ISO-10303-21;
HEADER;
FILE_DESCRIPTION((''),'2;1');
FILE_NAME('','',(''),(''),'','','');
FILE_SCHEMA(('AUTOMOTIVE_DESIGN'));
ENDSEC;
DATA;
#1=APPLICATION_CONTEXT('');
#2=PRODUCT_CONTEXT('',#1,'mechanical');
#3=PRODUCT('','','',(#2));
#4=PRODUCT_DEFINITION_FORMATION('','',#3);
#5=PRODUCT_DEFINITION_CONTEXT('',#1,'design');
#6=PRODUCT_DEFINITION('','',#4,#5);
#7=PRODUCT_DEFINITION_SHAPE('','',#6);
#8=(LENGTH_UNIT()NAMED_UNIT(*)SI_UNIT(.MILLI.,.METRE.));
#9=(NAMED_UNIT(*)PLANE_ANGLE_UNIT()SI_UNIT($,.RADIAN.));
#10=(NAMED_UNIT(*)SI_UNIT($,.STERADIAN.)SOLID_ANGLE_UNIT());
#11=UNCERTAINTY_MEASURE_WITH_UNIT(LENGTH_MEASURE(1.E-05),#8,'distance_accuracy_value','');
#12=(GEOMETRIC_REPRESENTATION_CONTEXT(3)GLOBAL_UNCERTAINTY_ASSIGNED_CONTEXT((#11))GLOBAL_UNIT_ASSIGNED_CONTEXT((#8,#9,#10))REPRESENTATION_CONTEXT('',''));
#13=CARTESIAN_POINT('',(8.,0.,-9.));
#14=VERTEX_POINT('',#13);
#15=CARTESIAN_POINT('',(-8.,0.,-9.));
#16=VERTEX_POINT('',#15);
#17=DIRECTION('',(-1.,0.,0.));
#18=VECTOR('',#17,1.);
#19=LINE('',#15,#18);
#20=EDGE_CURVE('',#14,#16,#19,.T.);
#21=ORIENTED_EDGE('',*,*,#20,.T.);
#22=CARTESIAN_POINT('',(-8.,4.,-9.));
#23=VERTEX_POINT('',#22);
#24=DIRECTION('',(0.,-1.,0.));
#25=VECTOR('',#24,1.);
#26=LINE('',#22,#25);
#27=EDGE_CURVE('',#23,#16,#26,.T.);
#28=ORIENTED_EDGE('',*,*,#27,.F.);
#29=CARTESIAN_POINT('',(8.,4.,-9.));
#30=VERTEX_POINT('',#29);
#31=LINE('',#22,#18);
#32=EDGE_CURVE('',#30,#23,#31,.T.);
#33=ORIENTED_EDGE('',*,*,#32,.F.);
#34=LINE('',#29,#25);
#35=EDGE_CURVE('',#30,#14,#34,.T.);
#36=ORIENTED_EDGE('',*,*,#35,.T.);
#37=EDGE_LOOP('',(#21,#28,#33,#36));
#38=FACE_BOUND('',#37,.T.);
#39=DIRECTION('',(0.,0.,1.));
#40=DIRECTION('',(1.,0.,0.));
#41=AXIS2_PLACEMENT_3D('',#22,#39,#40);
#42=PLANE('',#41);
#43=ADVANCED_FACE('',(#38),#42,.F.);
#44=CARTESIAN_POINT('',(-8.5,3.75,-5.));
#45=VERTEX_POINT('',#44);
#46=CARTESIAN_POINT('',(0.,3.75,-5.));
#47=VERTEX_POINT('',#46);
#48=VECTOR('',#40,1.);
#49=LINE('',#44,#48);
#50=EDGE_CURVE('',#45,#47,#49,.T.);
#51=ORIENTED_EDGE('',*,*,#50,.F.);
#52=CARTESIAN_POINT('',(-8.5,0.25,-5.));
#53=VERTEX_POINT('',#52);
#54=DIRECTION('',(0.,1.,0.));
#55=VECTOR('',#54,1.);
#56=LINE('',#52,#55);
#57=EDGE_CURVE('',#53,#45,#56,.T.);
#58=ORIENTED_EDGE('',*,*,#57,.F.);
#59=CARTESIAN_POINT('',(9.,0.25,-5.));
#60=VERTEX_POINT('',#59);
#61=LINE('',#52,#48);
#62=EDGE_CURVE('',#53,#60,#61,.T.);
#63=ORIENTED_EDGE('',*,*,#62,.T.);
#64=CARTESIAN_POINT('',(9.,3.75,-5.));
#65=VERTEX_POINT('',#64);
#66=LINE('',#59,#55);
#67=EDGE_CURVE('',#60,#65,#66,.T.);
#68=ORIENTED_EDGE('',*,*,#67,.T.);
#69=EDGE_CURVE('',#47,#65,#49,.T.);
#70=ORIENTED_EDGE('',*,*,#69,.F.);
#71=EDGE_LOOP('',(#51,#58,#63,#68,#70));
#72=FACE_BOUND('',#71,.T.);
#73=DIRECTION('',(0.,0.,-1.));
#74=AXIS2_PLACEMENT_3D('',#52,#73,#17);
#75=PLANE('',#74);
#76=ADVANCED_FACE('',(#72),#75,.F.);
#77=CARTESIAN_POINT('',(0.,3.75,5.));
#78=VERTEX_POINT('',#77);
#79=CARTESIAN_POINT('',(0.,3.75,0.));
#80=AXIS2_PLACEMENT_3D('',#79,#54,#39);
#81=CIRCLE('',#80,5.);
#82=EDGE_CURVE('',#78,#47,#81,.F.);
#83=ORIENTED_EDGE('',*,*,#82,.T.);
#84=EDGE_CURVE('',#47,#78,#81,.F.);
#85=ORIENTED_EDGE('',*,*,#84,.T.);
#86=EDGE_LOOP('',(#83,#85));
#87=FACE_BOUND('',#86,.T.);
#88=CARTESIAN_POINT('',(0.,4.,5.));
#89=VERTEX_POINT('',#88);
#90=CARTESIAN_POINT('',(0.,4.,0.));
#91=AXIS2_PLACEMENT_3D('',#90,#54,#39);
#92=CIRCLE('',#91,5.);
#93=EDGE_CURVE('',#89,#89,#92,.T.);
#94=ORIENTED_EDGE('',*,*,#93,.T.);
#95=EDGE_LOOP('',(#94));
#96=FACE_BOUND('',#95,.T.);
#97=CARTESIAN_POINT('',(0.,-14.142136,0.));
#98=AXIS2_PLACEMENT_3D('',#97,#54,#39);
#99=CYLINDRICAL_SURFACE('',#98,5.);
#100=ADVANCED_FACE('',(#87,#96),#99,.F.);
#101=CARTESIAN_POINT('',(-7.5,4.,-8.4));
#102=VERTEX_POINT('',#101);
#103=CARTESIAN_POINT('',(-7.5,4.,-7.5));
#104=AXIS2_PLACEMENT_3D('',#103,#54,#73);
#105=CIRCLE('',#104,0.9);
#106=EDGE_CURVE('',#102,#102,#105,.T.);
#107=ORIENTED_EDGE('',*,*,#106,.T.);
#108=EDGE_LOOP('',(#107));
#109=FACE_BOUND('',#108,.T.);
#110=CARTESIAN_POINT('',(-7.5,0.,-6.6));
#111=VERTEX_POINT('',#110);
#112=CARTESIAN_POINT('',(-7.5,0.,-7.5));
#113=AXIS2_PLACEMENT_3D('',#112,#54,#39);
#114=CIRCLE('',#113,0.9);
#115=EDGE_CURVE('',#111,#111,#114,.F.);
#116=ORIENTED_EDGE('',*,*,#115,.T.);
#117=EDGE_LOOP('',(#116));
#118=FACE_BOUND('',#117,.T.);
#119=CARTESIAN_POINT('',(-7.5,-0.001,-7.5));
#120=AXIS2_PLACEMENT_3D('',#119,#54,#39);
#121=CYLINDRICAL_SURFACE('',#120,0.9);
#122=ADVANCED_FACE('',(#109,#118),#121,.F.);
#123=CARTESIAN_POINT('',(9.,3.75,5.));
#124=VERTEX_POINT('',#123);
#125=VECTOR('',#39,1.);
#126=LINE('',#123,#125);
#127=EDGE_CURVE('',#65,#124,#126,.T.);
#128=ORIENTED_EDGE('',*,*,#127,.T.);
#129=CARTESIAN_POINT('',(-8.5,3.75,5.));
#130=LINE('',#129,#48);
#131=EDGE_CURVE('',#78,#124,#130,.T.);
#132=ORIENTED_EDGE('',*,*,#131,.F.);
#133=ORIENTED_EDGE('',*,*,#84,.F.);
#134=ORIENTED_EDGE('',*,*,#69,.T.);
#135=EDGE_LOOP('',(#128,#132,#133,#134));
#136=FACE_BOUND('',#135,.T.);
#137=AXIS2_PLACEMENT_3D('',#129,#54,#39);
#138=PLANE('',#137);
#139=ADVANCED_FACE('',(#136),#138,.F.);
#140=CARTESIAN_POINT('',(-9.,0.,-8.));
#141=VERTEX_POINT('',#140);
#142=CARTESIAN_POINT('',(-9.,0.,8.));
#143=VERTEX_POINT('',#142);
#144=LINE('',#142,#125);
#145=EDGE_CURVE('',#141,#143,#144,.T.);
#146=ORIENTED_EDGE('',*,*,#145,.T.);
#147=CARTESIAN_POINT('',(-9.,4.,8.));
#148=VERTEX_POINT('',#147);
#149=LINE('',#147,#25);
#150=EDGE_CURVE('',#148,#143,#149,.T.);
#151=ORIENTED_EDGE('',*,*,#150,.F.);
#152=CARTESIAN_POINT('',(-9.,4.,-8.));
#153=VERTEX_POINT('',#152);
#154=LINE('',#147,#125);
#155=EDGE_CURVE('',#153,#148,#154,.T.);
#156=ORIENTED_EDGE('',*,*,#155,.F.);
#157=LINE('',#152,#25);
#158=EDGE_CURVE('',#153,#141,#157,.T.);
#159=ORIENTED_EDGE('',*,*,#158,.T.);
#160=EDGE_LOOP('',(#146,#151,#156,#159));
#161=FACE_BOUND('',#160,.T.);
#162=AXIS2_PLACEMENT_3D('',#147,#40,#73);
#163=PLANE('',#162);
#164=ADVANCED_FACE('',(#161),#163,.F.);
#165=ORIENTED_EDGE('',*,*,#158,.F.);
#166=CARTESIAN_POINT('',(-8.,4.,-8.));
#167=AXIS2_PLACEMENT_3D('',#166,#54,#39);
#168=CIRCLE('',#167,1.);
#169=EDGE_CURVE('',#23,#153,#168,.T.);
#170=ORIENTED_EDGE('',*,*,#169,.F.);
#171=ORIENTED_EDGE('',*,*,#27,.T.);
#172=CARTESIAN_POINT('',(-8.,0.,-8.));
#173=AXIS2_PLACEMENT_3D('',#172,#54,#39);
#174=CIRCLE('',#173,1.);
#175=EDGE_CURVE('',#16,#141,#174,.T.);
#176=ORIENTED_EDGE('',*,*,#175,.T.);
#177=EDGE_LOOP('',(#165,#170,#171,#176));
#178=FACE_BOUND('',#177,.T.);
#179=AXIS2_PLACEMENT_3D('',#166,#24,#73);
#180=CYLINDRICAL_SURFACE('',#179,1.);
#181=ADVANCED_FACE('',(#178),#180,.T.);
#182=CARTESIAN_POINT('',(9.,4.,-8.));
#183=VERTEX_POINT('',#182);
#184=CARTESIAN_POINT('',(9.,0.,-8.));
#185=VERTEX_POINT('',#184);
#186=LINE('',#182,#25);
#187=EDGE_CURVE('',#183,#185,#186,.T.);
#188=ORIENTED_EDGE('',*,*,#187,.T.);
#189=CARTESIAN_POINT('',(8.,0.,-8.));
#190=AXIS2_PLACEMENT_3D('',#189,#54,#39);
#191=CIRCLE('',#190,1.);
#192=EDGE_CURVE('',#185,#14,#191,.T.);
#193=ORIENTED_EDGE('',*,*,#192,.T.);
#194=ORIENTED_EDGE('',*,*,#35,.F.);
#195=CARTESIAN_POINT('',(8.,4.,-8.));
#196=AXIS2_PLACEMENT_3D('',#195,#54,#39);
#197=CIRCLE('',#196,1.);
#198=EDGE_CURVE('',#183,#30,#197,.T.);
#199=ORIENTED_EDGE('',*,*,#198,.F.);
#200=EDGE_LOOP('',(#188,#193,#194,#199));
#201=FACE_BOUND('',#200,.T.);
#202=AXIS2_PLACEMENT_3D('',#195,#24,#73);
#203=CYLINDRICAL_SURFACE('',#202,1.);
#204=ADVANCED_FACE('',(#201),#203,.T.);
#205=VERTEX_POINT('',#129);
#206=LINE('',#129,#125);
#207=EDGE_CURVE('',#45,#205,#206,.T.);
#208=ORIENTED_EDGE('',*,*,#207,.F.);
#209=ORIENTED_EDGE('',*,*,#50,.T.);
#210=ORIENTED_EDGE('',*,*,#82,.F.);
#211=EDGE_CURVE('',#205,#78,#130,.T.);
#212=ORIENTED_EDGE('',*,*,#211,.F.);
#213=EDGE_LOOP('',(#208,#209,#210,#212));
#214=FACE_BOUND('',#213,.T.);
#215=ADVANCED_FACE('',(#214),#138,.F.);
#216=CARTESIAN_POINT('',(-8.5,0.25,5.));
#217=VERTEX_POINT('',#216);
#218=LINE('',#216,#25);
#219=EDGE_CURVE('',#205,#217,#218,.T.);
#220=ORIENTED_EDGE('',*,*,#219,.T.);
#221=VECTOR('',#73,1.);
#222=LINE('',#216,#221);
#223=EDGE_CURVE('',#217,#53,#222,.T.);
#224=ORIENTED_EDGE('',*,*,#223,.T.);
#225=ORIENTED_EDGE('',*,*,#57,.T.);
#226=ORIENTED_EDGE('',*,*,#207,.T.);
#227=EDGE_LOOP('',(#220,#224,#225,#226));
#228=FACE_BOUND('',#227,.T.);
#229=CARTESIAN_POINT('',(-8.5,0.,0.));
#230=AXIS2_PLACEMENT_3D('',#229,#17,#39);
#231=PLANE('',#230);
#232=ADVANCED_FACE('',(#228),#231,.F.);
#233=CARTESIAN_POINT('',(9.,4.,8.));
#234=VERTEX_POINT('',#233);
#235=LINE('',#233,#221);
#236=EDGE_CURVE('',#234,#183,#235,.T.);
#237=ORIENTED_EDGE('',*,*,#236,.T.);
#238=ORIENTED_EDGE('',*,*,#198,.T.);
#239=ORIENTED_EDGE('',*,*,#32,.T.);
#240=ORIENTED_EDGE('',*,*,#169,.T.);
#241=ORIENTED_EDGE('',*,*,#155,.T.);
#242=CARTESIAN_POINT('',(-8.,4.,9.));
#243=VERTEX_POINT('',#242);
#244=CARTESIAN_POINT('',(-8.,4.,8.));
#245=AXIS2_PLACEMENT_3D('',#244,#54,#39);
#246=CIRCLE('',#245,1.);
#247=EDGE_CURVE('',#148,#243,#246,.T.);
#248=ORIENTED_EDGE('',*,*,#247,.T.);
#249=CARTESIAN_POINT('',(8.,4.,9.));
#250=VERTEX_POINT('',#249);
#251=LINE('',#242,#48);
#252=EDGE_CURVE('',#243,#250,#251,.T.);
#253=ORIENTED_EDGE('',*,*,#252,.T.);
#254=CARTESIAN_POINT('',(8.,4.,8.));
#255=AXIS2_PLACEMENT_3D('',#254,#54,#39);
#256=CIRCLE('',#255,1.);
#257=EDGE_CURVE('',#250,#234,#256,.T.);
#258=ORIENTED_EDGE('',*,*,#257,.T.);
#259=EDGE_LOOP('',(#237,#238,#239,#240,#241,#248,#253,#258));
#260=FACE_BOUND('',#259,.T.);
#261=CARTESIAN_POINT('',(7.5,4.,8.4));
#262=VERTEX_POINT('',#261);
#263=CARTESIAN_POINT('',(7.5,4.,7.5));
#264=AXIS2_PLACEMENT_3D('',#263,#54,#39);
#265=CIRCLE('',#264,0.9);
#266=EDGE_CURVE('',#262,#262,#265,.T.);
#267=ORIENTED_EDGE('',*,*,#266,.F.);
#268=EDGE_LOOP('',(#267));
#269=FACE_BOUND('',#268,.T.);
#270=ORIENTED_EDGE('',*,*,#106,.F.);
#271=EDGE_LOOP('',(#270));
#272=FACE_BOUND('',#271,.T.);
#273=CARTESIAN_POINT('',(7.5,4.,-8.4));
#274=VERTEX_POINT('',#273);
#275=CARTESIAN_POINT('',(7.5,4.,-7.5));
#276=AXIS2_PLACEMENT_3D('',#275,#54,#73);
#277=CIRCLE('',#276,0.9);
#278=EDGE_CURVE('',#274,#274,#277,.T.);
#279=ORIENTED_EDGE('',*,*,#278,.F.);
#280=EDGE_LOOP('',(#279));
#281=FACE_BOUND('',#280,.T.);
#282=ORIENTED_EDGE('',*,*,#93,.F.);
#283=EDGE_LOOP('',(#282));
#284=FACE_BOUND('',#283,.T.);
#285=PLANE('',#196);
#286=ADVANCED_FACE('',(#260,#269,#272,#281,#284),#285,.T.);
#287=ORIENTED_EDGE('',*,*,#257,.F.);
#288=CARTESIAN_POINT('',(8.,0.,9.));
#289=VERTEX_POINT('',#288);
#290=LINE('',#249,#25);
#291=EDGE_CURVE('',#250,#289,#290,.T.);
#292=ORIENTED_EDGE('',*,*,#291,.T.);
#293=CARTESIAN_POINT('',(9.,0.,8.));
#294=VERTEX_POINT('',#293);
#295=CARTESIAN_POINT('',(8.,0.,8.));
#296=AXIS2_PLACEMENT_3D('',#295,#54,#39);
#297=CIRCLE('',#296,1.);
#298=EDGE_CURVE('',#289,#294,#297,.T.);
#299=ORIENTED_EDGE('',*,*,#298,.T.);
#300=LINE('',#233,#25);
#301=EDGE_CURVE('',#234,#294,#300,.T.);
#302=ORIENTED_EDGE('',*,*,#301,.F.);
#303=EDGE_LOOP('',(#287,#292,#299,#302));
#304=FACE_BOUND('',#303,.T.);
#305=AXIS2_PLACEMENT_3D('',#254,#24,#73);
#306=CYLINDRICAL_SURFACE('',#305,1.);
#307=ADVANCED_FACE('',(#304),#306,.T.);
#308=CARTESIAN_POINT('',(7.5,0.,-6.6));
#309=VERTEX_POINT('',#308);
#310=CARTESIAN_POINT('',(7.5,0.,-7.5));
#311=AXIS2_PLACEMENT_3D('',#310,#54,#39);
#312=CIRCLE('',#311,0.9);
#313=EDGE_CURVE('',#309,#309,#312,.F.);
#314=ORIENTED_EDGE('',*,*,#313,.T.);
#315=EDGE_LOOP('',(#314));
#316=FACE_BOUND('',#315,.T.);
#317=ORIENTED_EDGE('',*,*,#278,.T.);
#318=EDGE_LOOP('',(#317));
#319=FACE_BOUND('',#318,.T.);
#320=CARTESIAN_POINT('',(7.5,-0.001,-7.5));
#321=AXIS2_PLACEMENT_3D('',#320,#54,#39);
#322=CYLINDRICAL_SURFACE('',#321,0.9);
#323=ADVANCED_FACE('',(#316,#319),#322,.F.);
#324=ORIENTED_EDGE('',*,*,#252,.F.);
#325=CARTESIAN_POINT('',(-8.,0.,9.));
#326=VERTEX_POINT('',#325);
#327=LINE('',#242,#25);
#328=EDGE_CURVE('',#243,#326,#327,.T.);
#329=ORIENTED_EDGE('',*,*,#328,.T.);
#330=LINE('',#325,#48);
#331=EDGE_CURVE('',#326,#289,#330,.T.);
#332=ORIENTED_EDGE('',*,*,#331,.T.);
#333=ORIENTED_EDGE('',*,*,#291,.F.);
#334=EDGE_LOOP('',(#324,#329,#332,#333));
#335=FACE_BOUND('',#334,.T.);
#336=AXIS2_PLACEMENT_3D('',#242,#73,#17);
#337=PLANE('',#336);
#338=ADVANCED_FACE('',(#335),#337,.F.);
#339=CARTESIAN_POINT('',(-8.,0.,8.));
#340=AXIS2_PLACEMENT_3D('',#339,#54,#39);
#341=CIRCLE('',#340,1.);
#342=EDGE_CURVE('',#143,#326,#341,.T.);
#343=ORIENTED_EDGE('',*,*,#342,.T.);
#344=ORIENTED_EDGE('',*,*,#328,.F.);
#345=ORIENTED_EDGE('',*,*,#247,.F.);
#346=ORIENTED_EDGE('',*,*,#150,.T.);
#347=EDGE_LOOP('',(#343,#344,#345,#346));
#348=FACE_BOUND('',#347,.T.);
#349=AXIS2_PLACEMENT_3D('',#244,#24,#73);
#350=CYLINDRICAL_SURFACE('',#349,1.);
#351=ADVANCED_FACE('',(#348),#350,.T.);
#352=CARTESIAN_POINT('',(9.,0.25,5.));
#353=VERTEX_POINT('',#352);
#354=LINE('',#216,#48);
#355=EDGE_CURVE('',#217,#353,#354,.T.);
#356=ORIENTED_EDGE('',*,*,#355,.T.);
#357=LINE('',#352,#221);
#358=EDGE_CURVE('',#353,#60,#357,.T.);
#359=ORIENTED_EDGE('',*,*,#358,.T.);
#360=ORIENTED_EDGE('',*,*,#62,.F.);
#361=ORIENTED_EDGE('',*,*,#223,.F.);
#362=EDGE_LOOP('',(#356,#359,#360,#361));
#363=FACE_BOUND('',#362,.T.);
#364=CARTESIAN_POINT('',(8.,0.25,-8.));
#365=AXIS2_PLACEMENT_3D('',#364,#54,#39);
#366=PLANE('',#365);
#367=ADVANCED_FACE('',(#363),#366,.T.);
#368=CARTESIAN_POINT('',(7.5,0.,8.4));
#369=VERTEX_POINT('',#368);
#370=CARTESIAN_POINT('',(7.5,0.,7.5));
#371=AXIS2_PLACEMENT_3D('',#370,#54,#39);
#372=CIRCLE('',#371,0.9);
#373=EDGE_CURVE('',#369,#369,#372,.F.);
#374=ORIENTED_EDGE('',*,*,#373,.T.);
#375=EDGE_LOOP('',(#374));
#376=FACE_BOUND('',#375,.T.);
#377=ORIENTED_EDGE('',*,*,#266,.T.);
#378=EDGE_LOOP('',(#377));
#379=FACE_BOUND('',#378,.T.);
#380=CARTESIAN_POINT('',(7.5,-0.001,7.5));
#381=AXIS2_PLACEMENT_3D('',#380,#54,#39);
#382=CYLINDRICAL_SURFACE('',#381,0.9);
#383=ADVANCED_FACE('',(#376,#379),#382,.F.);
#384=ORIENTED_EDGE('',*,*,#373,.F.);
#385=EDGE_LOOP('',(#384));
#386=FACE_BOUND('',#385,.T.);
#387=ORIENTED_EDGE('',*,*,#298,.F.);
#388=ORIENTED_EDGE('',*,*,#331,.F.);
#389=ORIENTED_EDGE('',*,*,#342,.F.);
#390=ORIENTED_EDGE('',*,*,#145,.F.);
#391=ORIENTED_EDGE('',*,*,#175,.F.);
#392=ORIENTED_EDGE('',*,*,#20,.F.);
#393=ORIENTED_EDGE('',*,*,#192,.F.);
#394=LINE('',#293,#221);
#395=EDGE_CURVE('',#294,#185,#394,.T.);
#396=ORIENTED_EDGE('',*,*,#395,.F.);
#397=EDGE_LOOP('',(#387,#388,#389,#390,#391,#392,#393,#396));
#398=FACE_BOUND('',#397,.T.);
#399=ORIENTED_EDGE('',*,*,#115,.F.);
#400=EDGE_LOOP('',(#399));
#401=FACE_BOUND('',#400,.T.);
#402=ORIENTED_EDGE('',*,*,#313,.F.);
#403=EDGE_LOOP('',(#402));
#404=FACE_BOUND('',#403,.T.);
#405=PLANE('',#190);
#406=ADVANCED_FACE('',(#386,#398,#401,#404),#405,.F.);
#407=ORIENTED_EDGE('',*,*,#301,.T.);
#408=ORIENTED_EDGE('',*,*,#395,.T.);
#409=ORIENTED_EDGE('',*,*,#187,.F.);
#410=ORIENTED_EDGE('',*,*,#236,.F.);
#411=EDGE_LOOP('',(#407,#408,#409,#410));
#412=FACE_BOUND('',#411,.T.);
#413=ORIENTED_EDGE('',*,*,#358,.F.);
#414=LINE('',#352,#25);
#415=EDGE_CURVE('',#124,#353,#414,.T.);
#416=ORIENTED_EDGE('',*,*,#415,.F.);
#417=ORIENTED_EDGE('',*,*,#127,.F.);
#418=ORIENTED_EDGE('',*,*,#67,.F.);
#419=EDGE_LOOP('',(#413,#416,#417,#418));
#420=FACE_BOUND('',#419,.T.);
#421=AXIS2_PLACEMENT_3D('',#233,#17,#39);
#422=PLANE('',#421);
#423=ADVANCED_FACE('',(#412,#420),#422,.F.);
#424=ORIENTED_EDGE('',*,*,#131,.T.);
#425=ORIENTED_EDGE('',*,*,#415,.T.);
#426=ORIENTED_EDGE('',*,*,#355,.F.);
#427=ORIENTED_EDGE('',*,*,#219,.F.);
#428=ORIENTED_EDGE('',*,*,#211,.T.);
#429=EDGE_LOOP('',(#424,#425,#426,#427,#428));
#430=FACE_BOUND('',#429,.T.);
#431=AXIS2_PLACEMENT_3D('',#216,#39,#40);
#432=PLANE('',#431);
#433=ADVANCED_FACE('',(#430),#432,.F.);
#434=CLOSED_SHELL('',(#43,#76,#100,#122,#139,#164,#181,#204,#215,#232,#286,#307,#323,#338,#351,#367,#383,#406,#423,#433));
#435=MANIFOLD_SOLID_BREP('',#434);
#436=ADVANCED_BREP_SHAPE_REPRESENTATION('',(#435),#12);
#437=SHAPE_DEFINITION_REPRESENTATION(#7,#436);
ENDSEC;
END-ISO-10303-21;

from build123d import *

# Parameters (mm, degrees)
BOSS_EXTRUDE1_DEPTH = 4
CUT_EXTRUDE1_REACH  = 15.342
SKETCH4_R           = 0.9
SKETCH5_R           = 5
CUT_EXTRUDE2_DEPTH  = 3.75
SKETCH6_W           = 10
SKETCH6_H           = 3.5
CUT_EXTRUDE3_DEPTH  = 17.5


with BuildPart() as part:
    # Sketch3 → Boss-Extrude1 (new body)
    with BuildSketch(Plane(origin=(0, 0, 0), x_dir=(1, 0, 0), z_dir=(0, 1, 0))):
        with BuildLine():
            Line((-8, -9), (8, -9))
            ThreePointArc((8, -9), (8.707106781, -8.707106781), (9, -8))
            Line((9, -8), (9, 8))
            ThreePointArc((9, 8), (8.707106781, 8.707106781), (8, 9))
            Line((8, 9), (-8, 9))
            ThreePointArc((-8, 9), (-8.707106781, 8.707106781), (-9, 8))
            Line((-9, 8), (-9, -8))
            ThreePointArc((-9, -8), (-8.707106781, -8.707106781), (-8, -9))
        make_face()
    extrude(amount=BOSS_EXTRUDE1_DEPTH)

    # Sketch4 → Cut-Extrude1 (cut, up to next)
    with BuildSketch(Plane(origin=(0, 4, 0), x_dir=(1, 0, 0), z_dir=(0, 1, 0)), mode=Mode.PRIVATE) as cut_extrude1_sk1:
        with Locations(Location((7.5, -7.5, 0), (0, 0, 270))):
            Circle(SKETCH4_R)
    cut_extrude1_tool1 = extrude(cut_extrude1_sk1.sketch, amount=-CUT_EXTRUDE1_REACH, mode=Mode.PRIVATE) & part.part
    # Sketch4 → Cut-Extrude1 (cut, up to next)
    with BuildSketch(Plane(origin=(0, 4, 0), x_dir=(1, 0, 0), z_dir=(0, 1, 0)), mode=Mode.PRIVATE) as cut_extrude1_sk2:
        with Locations(Location((7.5, 7.5, 0), (0, 0, 270))):
            Circle(SKETCH4_R)
    cut_extrude1_tool2 = extrude(cut_extrude1_sk2.sketch, amount=-CUT_EXTRUDE1_REACH, mode=Mode.PRIVATE) & part.part
    # Sketch4 → Cut-Extrude1 (cut, up to next)
    with BuildSketch(Plane(origin=(0, 4, 0), x_dir=(1, 0, 0), z_dir=(0, 1, 0)), mode=Mode.PRIVATE) as cut_extrude1_sk3:
        with Locations(Location((-7.5, 7.5, 0), (0, 0, 270))):
            Circle(SKETCH4_R)
    cut_extrude1_tool3 = extrude(cut_extrude1_sk3.sketch, amount=-CUT_EXTRUDE1_REACH, mode=Mode.PRIVATE) & part.part
    add(cut_extrude1_tool1.solids().sort_by_distance((7.5, 4, 7.5))[0], mode=Mode.SUBTRACT)
    add(cut_extrude1_tool2.solids().sort_by_distance((7.5, 4, -7.5))[0], mode=Mode.SUBTRACT)
    add(cut_extrude1_tool3.solids().sort_by_distance((-7.5, 4, -7.5))[0], mode=Mode.SUBTRACT)

    # Sketch5 → Cut-Extrude2 (cut)
    with BuildSketch(Plane(origin=(0, 4, 0), x_dir=(1, 0, 0), z_dir=(0, 1, 0))):
        with Locations(Location((0, 0, 0), (0, 0, 270))):
            Circle(SKETCH5_R)
    extrude(amount=-CUT_EXTRUDE2_DEPTH, mode=Mode.SUBTRACT)

    # Sketch6 → Cut-Extrude3 (cut)
    with BuildSketch(Plane(origin=(9, 0, 0), x_dir=(0, 0, -1), z_dir=(1, 0, 0))):
        with Locations((0, 2)):
            Rectangle(SKETCH6_W, SKETCH6_H)
    extrude(amount=-CUT_EXTRUDE3_DEPTH, mode=Mode.SUBTRACT)


solid = part.part
